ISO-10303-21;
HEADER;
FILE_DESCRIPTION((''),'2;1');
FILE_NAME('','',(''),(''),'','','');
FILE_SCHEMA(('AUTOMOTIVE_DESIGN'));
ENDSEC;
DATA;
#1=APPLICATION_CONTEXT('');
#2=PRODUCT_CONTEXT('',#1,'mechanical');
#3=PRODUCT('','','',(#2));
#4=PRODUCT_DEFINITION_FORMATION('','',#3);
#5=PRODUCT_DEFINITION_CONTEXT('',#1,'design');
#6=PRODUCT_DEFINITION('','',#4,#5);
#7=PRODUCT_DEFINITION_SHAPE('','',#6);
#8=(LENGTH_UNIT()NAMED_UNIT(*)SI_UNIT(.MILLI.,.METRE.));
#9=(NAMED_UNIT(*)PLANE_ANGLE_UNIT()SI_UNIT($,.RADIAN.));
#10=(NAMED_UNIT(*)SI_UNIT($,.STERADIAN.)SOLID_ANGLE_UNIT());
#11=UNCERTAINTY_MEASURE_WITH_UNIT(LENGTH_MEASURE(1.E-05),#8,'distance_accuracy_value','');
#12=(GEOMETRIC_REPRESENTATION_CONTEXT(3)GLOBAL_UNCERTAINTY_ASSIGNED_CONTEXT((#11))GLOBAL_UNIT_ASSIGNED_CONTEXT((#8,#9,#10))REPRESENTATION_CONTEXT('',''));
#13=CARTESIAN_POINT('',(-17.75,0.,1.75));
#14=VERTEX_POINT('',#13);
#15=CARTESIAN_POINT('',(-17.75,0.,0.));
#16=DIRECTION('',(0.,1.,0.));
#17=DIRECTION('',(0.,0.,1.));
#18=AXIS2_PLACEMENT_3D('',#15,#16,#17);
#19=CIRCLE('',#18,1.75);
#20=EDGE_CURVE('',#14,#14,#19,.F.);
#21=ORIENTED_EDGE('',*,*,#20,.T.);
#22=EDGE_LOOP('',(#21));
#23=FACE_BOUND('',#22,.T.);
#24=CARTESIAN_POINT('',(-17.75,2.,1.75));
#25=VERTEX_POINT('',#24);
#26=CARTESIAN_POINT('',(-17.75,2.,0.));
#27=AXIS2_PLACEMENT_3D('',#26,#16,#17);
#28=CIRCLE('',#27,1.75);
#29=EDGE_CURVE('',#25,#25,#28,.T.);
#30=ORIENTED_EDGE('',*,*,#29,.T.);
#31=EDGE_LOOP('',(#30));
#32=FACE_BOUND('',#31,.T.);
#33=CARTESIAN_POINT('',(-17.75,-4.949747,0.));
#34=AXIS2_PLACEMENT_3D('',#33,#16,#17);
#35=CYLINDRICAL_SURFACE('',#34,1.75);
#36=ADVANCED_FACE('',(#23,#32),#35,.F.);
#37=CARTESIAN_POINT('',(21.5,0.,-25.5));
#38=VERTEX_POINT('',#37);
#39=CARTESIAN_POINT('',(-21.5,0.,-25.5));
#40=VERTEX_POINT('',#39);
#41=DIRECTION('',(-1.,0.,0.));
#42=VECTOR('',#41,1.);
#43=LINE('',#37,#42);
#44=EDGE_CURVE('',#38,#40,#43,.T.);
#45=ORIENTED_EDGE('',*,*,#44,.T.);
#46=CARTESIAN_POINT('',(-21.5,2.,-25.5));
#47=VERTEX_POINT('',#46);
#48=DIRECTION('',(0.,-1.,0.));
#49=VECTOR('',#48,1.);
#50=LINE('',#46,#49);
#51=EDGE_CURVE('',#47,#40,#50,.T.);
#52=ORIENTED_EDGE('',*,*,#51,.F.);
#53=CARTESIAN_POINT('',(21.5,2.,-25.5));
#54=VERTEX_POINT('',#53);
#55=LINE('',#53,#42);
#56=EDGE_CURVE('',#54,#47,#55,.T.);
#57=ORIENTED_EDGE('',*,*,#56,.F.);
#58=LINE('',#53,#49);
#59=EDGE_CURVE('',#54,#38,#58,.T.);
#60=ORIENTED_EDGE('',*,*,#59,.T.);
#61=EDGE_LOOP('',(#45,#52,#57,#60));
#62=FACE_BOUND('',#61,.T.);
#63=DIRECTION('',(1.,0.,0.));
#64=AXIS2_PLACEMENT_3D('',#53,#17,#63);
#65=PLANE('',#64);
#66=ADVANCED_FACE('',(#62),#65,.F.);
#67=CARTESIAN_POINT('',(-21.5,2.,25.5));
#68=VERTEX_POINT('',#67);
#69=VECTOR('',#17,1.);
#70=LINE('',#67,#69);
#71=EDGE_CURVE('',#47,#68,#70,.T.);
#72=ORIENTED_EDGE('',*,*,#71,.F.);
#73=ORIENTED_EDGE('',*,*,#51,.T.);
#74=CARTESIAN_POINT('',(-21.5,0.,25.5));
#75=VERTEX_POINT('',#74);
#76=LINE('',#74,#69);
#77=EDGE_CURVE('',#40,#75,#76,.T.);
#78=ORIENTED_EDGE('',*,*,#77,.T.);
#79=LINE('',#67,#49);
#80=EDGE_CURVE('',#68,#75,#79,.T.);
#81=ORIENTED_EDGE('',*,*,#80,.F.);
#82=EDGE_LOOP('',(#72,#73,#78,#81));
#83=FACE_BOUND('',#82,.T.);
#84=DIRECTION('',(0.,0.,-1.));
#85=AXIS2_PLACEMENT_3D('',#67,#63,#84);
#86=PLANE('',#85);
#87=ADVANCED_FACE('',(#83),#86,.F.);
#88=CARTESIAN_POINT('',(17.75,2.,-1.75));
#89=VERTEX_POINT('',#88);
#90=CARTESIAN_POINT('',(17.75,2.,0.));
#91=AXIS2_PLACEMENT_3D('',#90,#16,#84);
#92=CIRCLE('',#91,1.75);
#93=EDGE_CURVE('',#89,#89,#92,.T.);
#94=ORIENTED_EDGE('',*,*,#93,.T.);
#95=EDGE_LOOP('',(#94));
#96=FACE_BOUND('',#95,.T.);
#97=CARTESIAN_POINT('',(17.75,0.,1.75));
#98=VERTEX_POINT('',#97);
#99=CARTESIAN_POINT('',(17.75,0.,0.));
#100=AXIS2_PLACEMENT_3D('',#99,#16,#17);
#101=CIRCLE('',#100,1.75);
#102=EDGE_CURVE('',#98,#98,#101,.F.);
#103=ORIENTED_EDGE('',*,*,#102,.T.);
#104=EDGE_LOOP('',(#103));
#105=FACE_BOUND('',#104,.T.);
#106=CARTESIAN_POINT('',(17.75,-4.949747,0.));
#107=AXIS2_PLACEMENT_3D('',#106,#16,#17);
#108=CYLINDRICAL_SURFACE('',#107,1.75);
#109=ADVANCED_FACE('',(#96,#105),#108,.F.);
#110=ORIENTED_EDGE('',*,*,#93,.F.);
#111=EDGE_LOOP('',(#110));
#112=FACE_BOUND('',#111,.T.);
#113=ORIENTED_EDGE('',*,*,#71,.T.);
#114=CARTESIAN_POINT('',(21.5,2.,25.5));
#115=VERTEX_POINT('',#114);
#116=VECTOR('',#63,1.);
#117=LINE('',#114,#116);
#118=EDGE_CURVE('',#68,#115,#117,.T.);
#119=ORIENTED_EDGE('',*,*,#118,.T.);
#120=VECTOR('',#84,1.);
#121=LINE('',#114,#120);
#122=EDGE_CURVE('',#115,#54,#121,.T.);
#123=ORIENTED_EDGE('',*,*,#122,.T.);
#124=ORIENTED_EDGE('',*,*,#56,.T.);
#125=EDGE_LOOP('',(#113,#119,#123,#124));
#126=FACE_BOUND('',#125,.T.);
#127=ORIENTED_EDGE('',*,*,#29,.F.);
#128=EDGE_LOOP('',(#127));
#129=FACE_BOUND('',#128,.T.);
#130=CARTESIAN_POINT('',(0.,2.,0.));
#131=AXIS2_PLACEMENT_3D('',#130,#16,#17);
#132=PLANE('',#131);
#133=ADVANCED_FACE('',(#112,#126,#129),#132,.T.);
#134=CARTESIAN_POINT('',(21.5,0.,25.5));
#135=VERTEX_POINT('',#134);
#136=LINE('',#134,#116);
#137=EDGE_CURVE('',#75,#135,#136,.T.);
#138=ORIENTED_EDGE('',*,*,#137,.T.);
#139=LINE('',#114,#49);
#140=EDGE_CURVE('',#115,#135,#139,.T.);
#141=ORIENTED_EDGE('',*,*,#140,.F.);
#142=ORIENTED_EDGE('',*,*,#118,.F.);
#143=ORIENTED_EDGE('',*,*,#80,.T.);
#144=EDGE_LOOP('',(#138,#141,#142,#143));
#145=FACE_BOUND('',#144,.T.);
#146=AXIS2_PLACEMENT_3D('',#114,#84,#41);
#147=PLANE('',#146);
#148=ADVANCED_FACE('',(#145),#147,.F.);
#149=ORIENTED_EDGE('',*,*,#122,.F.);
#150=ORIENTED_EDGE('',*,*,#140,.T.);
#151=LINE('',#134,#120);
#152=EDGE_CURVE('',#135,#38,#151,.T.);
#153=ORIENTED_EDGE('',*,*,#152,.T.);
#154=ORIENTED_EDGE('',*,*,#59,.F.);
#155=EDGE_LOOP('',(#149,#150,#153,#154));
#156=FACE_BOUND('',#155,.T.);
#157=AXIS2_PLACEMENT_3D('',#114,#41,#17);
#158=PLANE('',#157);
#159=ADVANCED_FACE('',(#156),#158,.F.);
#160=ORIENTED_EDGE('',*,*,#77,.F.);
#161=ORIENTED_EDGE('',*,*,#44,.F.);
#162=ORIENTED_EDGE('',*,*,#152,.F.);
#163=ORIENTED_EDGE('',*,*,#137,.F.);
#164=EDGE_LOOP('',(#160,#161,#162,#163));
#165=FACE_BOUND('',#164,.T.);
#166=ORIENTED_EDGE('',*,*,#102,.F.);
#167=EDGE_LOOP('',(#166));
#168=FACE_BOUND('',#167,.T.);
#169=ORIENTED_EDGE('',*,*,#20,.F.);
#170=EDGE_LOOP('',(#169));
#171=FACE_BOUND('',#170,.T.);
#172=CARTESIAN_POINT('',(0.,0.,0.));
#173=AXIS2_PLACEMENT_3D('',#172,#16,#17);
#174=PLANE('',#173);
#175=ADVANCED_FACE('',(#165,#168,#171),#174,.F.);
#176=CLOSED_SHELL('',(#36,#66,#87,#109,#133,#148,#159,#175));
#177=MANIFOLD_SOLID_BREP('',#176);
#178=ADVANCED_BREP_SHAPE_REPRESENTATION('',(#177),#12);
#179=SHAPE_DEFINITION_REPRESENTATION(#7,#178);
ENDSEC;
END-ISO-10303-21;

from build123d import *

# Parameters (mm, degrees)
SKETCH1_W           = 43
SKETCH1_H           = 51
BOSS_EXTRUDE1_DEPTH = 2
SKETCH2_R           = 1.75
CUT_EXTRUDE1_DEPTH  = 2


with BuildPart() as part:
    # Sketch1 → Boss-Extrude1 (new body)
    with BuildSketch(Plane(origin=(0, 0, 0), x_dir=(1, 0, 0), z_dir=(0, 1, 0))):
        Rectangle(SKETCH1_W, SKETCH1_H)
    extrude(amount=BOSS_EXTRUDE1_DEPTH)

    # Sketch2 → Cut-Extrude1 (cut)
    with BuildSketch(Plane(origin=(0, 2, 0), x_dir=(1, 0, 0), z_dir=(0, 1, 0))):
        with Locations((-17.75, 0)):
            Circle(SKETCH2_R)
        with Locations((17.75, 0)):
            Circle(SKETCH2_R)
    extrude(amount=-CUT_EXTRUDE1_DEPTH, mode=Mode.SUBTRACT)


solid = part.part
